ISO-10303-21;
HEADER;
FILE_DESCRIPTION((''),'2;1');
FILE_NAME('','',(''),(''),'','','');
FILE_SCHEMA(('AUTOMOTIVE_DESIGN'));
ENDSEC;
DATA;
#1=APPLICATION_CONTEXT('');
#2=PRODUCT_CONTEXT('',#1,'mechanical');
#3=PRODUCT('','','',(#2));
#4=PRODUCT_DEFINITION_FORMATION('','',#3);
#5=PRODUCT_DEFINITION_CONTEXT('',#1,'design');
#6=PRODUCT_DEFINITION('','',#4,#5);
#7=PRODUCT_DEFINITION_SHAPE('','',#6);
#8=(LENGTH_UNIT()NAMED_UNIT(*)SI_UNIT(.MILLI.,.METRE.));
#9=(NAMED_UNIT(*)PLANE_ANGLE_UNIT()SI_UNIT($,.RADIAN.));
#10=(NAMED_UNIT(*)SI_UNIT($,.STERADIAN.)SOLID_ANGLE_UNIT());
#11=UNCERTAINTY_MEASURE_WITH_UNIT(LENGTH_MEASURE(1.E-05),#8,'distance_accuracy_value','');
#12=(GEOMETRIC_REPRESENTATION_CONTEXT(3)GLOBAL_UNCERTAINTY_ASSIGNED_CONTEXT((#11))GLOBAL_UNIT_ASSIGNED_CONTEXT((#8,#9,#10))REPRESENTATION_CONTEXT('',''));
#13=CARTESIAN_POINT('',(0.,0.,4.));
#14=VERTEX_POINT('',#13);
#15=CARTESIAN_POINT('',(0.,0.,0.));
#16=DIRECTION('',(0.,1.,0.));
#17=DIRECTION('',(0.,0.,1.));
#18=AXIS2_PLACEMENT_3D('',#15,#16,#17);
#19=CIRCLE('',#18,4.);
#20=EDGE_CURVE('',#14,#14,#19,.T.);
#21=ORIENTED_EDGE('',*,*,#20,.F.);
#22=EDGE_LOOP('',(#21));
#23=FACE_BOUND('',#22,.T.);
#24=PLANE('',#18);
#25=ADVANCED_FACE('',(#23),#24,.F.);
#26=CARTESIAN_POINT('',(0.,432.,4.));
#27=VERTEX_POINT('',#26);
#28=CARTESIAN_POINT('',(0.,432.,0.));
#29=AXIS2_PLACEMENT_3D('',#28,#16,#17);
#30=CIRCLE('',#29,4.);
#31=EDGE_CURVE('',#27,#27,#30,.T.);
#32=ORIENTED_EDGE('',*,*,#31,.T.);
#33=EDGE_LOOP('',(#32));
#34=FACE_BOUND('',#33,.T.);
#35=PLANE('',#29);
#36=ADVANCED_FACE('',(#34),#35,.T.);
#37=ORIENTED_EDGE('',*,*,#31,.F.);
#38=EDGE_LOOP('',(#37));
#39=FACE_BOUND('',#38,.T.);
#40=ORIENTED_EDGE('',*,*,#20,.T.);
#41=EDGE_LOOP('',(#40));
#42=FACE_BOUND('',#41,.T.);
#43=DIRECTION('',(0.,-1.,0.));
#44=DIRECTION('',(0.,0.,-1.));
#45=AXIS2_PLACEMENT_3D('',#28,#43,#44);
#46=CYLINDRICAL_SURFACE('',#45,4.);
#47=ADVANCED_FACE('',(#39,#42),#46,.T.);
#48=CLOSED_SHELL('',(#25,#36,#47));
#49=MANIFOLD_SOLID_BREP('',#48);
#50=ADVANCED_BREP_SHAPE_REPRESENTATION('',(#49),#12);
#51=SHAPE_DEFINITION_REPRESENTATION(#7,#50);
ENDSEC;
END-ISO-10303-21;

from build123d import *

# Parameters (mm, degrees)
SKETCH_1_R      = 4
EXTRUDE_1_DEPTH = 432


with BuildPart() as part:
    # 草图1 → 凸台-拉伸1 (new body)
    with BuildSketch(Plane(origin=(0, 0, 0), x_dir=(1, 0, 0), z_dir=(0, 1, 0))):
        with Locations(Location((0, 0, 0), (0, 0, 270))):
            Circle(SKETCH_1_R)
    extrude(amount=EXTRUDE_1_DEPTH)


solid = part.part
